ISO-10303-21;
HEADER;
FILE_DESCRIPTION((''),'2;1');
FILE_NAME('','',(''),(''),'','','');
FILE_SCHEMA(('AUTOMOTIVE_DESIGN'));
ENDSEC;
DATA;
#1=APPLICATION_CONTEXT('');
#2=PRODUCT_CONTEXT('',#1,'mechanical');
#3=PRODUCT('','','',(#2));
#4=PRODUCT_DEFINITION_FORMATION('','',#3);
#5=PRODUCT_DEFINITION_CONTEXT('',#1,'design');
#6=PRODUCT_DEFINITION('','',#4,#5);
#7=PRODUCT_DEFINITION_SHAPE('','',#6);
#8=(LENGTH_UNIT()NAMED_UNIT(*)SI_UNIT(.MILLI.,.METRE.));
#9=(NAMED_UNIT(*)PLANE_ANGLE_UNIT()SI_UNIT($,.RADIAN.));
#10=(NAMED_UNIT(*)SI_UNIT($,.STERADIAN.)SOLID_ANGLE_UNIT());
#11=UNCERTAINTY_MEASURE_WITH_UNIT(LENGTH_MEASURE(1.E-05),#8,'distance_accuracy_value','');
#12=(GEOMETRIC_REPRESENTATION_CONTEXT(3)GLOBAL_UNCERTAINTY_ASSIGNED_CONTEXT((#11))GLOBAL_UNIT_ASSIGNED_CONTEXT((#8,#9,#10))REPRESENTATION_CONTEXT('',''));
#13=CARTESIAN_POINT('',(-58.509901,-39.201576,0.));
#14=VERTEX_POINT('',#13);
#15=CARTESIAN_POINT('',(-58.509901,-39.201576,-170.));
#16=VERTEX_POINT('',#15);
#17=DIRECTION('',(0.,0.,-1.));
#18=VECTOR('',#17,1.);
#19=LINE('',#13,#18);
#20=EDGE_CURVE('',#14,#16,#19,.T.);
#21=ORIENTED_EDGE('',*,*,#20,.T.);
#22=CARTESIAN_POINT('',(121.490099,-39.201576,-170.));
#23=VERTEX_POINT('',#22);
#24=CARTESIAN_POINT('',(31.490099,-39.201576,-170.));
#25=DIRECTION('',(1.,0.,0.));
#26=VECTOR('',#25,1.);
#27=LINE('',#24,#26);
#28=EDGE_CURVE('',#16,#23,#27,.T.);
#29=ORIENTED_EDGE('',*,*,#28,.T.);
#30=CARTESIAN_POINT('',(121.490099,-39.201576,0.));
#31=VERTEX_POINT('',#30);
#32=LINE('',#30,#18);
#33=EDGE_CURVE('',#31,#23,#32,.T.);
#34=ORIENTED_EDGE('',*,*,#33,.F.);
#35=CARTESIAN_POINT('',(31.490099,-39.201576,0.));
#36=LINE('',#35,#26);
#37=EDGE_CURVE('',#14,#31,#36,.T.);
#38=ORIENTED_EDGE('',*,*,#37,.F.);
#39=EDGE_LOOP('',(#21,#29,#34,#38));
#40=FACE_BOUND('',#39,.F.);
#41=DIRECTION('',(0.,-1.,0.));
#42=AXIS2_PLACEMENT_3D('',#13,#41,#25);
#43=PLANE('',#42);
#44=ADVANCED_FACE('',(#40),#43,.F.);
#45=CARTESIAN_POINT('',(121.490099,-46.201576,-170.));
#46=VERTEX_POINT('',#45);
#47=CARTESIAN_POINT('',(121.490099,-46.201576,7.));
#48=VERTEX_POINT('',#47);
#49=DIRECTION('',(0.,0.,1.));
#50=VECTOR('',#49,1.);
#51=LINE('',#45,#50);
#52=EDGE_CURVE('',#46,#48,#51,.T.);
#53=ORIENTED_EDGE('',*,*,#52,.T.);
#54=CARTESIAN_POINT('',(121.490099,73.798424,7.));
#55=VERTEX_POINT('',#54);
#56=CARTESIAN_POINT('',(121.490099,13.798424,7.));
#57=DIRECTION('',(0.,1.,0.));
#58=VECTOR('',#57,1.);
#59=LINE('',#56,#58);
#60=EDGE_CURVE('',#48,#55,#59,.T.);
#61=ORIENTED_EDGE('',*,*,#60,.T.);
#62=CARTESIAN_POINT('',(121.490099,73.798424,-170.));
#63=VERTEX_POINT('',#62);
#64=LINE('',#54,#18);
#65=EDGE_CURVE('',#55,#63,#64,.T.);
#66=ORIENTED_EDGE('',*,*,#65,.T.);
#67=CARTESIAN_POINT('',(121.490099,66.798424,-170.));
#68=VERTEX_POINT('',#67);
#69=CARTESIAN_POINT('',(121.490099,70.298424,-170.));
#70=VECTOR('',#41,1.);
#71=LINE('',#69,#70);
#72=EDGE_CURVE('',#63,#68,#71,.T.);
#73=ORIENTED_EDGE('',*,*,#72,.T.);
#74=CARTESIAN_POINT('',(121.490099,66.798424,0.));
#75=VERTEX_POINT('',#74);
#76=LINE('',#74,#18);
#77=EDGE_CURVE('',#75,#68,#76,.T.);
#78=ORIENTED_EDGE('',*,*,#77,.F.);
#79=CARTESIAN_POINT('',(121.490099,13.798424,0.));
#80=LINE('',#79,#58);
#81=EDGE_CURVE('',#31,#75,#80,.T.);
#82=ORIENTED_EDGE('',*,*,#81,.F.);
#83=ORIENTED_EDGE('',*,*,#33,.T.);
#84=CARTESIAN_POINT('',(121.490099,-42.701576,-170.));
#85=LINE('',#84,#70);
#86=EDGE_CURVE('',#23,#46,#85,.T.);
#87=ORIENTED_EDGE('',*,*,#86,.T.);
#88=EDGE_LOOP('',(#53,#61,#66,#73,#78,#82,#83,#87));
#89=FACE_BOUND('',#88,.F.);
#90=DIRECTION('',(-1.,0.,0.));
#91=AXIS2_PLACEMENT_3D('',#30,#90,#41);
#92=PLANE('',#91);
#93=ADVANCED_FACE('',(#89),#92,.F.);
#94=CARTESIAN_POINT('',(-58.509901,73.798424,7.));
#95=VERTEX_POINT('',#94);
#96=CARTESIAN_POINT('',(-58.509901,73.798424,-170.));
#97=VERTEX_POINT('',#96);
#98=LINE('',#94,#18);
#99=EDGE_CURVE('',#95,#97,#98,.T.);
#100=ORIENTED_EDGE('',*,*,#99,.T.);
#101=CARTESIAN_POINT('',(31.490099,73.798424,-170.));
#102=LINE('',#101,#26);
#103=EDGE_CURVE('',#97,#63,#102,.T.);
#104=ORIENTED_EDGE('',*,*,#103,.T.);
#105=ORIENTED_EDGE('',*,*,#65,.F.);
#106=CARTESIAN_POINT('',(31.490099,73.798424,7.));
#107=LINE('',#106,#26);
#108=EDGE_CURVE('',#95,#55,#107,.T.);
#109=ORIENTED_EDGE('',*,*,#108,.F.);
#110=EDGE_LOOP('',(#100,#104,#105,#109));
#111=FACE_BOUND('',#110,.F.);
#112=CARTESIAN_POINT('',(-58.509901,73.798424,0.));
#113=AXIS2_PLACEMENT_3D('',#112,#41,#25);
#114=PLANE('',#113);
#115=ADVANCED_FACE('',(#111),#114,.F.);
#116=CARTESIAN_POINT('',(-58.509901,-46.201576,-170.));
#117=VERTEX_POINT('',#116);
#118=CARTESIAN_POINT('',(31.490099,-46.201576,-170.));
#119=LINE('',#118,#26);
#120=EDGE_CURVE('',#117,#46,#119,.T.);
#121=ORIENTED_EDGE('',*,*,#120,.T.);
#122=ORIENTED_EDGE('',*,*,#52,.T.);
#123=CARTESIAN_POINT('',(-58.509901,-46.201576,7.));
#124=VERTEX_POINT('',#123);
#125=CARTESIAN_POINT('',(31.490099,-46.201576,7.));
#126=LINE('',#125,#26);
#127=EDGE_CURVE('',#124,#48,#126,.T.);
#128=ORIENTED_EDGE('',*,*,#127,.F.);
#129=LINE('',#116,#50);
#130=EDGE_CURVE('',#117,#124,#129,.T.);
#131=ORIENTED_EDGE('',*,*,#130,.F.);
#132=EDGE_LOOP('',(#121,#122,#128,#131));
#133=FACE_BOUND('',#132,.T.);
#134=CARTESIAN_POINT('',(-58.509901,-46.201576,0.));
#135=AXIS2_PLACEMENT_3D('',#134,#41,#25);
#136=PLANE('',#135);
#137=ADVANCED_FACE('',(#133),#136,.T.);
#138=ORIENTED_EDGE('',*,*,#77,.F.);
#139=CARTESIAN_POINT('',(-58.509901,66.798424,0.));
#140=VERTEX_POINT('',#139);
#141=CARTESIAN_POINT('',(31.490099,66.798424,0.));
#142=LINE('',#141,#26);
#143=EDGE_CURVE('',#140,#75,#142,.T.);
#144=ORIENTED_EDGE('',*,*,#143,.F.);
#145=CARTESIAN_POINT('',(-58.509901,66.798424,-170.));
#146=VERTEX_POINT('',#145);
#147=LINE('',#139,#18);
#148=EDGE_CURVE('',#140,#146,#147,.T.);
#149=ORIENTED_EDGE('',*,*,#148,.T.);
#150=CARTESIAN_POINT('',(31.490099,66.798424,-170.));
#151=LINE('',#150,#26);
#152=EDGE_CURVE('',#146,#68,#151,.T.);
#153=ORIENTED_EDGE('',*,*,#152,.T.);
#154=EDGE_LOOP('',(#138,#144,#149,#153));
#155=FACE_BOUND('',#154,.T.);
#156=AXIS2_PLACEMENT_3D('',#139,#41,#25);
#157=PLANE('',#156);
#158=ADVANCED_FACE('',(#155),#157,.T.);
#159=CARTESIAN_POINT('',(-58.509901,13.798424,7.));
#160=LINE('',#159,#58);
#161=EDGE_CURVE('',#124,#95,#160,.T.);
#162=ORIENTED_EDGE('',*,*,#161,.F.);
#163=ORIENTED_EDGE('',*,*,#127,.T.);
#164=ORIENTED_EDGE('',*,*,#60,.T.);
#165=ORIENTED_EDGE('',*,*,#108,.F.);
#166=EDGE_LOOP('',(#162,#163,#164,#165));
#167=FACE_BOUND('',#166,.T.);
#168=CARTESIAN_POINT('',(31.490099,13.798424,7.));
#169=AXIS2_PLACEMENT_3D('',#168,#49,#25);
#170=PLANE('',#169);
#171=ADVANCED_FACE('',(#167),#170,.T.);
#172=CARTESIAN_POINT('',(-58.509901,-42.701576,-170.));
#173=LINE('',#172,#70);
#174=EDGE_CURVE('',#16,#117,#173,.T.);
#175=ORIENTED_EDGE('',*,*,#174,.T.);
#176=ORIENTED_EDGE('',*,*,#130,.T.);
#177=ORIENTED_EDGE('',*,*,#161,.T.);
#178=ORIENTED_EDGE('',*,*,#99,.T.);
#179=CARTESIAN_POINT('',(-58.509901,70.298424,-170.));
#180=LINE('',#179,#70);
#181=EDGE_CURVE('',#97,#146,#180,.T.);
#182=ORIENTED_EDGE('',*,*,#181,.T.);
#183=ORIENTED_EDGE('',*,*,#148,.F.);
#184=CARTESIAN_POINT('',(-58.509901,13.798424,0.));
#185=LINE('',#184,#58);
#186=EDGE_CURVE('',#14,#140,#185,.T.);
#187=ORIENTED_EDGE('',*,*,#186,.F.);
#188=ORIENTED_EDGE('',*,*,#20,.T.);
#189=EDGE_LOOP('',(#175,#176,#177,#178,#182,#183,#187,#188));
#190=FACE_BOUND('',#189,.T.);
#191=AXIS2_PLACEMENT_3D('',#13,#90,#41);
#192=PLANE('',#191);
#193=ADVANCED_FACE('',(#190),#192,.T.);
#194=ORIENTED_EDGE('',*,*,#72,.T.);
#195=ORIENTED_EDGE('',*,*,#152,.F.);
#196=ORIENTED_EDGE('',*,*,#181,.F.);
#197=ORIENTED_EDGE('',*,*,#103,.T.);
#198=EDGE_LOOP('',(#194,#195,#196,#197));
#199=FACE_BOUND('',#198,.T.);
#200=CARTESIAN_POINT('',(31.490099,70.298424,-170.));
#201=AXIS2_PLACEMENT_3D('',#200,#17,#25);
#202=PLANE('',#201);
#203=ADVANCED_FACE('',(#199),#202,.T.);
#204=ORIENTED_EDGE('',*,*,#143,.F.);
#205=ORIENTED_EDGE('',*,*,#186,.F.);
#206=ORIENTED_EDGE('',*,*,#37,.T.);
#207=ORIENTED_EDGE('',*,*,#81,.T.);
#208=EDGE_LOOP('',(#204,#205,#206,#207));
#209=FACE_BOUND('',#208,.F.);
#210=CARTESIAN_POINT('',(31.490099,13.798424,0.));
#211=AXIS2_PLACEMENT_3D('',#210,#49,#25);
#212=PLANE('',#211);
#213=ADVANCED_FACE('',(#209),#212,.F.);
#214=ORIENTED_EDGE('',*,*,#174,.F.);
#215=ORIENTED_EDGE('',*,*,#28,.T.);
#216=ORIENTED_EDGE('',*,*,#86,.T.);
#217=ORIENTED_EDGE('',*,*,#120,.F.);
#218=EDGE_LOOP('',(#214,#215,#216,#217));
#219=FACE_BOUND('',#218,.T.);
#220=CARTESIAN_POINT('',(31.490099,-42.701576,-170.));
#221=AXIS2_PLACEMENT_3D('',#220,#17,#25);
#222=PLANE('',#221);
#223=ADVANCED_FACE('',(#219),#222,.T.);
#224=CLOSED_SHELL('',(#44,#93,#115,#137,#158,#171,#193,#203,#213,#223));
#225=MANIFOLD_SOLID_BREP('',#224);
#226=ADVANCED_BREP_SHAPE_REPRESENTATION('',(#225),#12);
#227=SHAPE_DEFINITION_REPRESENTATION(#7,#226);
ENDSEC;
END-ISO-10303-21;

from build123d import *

# Parameters (mm, degrees)
F0_W     = 180
F0_H     = 120
F1_DEPTH = 7
F2_W     = 180
F2_H     = 7
F3_DEPTH = 170
F4_W     = 180
F4_H     = 7
F5_DEPTH = 170


with BuildPart() as f1:
    # F0 (on Top) → F1 (new body)
    with BuildSketch(Plane.XY):
        with Locations((31.490099, 13.798424)):
            Rectangle(F0_W, F0_H)
    extrude(amount=F1_DEPTH)

    # F2 (on face) → F3 (join)
    with BuildSketch(Plane(origin=(0, 0, 0), x_dir=(1, 0, 0), z_dir=(0, 0, -1))):
        with Locations((31.490099, -70.298424)):
            Rectangle(F2_W, F2_H)
    extrude(amount=F3_DEPTH)

    # F4 (on face) → F5 (join)
    with BuildSketch(Plane(origin=(0, 0, 0), x_dir=(1, 0, 0), z_dir=(0, 0, -1))):
        with Locations((31.490099, 42.701576)):
            Rectangle(F4_W, F4_H)
    extrude(amount=F5_DEPTH)


solid = f1.part
